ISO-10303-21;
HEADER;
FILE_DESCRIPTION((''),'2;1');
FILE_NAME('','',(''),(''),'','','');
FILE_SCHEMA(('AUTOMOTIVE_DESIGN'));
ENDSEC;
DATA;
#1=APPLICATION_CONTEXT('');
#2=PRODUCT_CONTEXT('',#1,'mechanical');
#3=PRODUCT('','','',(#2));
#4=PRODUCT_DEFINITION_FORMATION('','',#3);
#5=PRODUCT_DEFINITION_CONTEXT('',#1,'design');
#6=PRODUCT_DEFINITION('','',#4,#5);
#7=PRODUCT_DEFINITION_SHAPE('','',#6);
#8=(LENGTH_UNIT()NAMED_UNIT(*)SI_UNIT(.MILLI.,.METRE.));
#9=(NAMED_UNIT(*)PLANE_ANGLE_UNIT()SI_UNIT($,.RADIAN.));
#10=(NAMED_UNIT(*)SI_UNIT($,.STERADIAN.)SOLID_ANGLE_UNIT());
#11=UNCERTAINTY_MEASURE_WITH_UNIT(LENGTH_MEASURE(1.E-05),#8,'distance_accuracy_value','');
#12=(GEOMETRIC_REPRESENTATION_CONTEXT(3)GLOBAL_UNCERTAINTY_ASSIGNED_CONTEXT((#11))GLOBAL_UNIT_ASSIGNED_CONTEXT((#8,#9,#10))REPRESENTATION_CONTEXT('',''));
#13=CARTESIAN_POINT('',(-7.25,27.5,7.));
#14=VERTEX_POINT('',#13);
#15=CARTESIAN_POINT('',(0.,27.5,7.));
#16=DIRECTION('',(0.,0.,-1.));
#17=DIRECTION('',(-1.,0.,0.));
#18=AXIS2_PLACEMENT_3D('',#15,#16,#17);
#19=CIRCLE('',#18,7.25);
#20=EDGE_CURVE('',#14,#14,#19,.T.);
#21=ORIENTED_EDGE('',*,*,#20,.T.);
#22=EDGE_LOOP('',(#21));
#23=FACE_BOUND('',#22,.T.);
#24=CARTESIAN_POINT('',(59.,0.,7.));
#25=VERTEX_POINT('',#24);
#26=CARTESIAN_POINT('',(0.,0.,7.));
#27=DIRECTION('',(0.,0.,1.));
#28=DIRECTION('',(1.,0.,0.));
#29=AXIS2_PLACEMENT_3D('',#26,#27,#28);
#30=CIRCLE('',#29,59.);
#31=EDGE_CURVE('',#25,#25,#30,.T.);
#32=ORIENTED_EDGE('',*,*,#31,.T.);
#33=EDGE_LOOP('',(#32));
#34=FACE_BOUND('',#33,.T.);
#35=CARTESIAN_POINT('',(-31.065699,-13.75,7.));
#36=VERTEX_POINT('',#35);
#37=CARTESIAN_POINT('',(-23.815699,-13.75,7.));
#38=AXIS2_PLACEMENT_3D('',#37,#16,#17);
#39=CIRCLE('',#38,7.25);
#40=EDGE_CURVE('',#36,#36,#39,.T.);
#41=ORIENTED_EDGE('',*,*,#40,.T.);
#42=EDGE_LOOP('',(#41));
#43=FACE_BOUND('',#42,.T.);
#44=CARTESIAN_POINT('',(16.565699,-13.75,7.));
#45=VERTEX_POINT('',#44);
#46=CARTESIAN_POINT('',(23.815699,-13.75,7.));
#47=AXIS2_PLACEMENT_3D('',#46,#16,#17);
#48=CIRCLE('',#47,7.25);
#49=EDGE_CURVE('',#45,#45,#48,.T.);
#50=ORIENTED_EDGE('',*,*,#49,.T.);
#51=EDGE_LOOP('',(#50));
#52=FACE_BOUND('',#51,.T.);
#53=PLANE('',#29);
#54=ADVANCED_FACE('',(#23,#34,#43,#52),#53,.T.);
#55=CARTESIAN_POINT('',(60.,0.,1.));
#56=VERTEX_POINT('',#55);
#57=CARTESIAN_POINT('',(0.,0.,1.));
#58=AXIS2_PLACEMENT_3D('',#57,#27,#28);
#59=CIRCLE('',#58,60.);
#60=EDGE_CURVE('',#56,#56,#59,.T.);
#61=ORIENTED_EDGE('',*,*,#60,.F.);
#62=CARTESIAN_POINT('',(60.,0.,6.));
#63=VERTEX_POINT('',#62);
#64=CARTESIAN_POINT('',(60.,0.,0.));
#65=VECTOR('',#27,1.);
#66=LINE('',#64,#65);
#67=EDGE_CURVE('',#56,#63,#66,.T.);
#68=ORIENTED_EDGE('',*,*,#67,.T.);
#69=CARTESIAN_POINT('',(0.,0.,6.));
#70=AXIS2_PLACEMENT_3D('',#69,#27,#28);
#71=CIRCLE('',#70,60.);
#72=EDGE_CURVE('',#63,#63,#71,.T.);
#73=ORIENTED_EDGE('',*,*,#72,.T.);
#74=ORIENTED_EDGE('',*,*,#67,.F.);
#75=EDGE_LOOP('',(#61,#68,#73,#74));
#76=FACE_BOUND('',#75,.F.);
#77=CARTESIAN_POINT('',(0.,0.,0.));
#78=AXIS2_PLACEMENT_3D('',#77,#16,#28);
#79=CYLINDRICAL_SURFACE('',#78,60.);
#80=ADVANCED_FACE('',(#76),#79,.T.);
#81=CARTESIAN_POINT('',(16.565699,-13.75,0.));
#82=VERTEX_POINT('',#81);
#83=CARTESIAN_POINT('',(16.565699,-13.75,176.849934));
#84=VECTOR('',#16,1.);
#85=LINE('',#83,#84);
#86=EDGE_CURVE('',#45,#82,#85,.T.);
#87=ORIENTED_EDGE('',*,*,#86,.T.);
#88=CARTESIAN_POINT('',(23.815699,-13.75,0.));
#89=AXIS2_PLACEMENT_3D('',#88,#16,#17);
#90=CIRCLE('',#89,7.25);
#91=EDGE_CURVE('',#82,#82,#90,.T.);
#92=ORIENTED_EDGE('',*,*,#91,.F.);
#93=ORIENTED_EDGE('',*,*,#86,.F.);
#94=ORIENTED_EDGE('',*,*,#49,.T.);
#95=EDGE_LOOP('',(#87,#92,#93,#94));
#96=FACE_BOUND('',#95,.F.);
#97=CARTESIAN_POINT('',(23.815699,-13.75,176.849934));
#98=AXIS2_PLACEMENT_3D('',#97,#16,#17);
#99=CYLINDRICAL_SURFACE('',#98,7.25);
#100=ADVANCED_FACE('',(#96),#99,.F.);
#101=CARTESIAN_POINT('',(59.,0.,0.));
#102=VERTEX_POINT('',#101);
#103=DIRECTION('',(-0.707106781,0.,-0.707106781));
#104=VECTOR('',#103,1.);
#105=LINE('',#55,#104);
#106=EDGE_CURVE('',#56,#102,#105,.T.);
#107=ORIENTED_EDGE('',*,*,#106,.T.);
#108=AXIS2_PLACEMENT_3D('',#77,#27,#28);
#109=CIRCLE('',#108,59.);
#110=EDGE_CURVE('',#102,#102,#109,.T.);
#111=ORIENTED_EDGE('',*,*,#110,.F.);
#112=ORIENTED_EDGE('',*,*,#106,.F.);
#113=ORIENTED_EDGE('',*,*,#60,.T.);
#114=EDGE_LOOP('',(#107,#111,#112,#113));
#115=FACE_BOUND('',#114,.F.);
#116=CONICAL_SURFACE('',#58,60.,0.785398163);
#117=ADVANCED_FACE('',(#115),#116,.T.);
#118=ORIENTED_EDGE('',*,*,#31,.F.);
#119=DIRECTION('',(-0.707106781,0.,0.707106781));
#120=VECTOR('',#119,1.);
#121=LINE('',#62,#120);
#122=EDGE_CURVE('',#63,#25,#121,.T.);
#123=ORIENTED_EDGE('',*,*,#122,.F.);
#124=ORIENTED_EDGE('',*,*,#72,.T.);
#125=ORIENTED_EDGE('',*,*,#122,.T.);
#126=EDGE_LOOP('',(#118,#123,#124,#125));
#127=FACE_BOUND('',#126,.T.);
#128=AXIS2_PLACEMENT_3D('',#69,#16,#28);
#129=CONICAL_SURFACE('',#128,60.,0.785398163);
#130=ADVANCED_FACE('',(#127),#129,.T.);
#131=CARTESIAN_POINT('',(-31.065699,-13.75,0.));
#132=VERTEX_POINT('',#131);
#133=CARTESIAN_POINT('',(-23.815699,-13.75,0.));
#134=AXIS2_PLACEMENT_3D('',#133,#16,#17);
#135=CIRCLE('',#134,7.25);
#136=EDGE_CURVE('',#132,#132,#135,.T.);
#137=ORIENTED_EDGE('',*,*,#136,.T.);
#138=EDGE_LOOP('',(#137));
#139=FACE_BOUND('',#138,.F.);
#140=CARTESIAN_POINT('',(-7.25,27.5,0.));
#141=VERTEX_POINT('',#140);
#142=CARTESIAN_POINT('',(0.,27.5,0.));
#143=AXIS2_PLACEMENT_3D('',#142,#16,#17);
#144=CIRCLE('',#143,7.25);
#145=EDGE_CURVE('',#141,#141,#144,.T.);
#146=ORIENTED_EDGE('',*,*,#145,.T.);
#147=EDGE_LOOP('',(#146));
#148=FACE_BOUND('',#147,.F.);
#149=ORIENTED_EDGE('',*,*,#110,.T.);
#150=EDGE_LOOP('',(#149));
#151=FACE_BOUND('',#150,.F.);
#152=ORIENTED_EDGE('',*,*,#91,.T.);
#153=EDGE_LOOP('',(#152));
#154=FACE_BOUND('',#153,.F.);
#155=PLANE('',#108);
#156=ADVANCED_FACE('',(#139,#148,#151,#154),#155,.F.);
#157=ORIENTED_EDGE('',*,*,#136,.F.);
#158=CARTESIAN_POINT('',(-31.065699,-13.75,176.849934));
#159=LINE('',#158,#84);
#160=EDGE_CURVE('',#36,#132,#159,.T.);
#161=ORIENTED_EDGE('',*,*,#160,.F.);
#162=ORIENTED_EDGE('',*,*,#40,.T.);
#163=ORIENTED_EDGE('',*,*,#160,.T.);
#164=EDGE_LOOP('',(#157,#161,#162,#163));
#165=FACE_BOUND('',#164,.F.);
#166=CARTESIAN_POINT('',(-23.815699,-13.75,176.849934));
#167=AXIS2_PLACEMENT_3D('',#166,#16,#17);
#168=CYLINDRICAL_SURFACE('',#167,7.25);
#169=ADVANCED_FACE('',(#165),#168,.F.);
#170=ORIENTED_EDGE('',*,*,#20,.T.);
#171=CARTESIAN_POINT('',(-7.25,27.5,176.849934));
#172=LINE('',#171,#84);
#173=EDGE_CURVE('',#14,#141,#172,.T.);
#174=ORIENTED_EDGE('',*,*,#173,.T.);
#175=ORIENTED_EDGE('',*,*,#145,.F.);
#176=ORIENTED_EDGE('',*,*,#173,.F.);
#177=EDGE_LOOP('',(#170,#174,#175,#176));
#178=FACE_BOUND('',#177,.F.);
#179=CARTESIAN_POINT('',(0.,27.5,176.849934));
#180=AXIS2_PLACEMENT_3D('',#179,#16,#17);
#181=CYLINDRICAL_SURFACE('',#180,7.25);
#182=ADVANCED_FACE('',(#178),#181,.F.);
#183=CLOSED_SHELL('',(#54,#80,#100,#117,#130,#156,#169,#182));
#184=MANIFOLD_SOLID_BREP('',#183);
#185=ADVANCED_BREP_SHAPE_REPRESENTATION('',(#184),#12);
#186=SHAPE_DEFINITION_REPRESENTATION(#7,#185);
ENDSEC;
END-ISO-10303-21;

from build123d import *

# Parameters (mm, degrees)
F0_R     = 60
F1_DEPTH = 7
F2_SIZE  = 1
F4_D     = 14.5


with BuildPart() as f1:
    # F0 (on Top) → F1 (new body)
    with BuildSketch(Plane.XY):
        Circle(F0_R)
    extrude(amount=F1_DEPTH)

    # F2
    f2_edges = [f1.edges().sort_by_distance(p)[0] for p in [
        (-60, 0, 7),
        (-60, 0, 0),
    ]]
    chamfer(f2_edges, length=F2_SIZE)

    # F4 (through all)
    with Locations(Plane.XY.offset(7)):
        with Locations((0, 27.5), (23.8156986041, -13.75), (-23.8156986041, -13.75)):
            Hole(F4_D / 2)


solid = f1.part
